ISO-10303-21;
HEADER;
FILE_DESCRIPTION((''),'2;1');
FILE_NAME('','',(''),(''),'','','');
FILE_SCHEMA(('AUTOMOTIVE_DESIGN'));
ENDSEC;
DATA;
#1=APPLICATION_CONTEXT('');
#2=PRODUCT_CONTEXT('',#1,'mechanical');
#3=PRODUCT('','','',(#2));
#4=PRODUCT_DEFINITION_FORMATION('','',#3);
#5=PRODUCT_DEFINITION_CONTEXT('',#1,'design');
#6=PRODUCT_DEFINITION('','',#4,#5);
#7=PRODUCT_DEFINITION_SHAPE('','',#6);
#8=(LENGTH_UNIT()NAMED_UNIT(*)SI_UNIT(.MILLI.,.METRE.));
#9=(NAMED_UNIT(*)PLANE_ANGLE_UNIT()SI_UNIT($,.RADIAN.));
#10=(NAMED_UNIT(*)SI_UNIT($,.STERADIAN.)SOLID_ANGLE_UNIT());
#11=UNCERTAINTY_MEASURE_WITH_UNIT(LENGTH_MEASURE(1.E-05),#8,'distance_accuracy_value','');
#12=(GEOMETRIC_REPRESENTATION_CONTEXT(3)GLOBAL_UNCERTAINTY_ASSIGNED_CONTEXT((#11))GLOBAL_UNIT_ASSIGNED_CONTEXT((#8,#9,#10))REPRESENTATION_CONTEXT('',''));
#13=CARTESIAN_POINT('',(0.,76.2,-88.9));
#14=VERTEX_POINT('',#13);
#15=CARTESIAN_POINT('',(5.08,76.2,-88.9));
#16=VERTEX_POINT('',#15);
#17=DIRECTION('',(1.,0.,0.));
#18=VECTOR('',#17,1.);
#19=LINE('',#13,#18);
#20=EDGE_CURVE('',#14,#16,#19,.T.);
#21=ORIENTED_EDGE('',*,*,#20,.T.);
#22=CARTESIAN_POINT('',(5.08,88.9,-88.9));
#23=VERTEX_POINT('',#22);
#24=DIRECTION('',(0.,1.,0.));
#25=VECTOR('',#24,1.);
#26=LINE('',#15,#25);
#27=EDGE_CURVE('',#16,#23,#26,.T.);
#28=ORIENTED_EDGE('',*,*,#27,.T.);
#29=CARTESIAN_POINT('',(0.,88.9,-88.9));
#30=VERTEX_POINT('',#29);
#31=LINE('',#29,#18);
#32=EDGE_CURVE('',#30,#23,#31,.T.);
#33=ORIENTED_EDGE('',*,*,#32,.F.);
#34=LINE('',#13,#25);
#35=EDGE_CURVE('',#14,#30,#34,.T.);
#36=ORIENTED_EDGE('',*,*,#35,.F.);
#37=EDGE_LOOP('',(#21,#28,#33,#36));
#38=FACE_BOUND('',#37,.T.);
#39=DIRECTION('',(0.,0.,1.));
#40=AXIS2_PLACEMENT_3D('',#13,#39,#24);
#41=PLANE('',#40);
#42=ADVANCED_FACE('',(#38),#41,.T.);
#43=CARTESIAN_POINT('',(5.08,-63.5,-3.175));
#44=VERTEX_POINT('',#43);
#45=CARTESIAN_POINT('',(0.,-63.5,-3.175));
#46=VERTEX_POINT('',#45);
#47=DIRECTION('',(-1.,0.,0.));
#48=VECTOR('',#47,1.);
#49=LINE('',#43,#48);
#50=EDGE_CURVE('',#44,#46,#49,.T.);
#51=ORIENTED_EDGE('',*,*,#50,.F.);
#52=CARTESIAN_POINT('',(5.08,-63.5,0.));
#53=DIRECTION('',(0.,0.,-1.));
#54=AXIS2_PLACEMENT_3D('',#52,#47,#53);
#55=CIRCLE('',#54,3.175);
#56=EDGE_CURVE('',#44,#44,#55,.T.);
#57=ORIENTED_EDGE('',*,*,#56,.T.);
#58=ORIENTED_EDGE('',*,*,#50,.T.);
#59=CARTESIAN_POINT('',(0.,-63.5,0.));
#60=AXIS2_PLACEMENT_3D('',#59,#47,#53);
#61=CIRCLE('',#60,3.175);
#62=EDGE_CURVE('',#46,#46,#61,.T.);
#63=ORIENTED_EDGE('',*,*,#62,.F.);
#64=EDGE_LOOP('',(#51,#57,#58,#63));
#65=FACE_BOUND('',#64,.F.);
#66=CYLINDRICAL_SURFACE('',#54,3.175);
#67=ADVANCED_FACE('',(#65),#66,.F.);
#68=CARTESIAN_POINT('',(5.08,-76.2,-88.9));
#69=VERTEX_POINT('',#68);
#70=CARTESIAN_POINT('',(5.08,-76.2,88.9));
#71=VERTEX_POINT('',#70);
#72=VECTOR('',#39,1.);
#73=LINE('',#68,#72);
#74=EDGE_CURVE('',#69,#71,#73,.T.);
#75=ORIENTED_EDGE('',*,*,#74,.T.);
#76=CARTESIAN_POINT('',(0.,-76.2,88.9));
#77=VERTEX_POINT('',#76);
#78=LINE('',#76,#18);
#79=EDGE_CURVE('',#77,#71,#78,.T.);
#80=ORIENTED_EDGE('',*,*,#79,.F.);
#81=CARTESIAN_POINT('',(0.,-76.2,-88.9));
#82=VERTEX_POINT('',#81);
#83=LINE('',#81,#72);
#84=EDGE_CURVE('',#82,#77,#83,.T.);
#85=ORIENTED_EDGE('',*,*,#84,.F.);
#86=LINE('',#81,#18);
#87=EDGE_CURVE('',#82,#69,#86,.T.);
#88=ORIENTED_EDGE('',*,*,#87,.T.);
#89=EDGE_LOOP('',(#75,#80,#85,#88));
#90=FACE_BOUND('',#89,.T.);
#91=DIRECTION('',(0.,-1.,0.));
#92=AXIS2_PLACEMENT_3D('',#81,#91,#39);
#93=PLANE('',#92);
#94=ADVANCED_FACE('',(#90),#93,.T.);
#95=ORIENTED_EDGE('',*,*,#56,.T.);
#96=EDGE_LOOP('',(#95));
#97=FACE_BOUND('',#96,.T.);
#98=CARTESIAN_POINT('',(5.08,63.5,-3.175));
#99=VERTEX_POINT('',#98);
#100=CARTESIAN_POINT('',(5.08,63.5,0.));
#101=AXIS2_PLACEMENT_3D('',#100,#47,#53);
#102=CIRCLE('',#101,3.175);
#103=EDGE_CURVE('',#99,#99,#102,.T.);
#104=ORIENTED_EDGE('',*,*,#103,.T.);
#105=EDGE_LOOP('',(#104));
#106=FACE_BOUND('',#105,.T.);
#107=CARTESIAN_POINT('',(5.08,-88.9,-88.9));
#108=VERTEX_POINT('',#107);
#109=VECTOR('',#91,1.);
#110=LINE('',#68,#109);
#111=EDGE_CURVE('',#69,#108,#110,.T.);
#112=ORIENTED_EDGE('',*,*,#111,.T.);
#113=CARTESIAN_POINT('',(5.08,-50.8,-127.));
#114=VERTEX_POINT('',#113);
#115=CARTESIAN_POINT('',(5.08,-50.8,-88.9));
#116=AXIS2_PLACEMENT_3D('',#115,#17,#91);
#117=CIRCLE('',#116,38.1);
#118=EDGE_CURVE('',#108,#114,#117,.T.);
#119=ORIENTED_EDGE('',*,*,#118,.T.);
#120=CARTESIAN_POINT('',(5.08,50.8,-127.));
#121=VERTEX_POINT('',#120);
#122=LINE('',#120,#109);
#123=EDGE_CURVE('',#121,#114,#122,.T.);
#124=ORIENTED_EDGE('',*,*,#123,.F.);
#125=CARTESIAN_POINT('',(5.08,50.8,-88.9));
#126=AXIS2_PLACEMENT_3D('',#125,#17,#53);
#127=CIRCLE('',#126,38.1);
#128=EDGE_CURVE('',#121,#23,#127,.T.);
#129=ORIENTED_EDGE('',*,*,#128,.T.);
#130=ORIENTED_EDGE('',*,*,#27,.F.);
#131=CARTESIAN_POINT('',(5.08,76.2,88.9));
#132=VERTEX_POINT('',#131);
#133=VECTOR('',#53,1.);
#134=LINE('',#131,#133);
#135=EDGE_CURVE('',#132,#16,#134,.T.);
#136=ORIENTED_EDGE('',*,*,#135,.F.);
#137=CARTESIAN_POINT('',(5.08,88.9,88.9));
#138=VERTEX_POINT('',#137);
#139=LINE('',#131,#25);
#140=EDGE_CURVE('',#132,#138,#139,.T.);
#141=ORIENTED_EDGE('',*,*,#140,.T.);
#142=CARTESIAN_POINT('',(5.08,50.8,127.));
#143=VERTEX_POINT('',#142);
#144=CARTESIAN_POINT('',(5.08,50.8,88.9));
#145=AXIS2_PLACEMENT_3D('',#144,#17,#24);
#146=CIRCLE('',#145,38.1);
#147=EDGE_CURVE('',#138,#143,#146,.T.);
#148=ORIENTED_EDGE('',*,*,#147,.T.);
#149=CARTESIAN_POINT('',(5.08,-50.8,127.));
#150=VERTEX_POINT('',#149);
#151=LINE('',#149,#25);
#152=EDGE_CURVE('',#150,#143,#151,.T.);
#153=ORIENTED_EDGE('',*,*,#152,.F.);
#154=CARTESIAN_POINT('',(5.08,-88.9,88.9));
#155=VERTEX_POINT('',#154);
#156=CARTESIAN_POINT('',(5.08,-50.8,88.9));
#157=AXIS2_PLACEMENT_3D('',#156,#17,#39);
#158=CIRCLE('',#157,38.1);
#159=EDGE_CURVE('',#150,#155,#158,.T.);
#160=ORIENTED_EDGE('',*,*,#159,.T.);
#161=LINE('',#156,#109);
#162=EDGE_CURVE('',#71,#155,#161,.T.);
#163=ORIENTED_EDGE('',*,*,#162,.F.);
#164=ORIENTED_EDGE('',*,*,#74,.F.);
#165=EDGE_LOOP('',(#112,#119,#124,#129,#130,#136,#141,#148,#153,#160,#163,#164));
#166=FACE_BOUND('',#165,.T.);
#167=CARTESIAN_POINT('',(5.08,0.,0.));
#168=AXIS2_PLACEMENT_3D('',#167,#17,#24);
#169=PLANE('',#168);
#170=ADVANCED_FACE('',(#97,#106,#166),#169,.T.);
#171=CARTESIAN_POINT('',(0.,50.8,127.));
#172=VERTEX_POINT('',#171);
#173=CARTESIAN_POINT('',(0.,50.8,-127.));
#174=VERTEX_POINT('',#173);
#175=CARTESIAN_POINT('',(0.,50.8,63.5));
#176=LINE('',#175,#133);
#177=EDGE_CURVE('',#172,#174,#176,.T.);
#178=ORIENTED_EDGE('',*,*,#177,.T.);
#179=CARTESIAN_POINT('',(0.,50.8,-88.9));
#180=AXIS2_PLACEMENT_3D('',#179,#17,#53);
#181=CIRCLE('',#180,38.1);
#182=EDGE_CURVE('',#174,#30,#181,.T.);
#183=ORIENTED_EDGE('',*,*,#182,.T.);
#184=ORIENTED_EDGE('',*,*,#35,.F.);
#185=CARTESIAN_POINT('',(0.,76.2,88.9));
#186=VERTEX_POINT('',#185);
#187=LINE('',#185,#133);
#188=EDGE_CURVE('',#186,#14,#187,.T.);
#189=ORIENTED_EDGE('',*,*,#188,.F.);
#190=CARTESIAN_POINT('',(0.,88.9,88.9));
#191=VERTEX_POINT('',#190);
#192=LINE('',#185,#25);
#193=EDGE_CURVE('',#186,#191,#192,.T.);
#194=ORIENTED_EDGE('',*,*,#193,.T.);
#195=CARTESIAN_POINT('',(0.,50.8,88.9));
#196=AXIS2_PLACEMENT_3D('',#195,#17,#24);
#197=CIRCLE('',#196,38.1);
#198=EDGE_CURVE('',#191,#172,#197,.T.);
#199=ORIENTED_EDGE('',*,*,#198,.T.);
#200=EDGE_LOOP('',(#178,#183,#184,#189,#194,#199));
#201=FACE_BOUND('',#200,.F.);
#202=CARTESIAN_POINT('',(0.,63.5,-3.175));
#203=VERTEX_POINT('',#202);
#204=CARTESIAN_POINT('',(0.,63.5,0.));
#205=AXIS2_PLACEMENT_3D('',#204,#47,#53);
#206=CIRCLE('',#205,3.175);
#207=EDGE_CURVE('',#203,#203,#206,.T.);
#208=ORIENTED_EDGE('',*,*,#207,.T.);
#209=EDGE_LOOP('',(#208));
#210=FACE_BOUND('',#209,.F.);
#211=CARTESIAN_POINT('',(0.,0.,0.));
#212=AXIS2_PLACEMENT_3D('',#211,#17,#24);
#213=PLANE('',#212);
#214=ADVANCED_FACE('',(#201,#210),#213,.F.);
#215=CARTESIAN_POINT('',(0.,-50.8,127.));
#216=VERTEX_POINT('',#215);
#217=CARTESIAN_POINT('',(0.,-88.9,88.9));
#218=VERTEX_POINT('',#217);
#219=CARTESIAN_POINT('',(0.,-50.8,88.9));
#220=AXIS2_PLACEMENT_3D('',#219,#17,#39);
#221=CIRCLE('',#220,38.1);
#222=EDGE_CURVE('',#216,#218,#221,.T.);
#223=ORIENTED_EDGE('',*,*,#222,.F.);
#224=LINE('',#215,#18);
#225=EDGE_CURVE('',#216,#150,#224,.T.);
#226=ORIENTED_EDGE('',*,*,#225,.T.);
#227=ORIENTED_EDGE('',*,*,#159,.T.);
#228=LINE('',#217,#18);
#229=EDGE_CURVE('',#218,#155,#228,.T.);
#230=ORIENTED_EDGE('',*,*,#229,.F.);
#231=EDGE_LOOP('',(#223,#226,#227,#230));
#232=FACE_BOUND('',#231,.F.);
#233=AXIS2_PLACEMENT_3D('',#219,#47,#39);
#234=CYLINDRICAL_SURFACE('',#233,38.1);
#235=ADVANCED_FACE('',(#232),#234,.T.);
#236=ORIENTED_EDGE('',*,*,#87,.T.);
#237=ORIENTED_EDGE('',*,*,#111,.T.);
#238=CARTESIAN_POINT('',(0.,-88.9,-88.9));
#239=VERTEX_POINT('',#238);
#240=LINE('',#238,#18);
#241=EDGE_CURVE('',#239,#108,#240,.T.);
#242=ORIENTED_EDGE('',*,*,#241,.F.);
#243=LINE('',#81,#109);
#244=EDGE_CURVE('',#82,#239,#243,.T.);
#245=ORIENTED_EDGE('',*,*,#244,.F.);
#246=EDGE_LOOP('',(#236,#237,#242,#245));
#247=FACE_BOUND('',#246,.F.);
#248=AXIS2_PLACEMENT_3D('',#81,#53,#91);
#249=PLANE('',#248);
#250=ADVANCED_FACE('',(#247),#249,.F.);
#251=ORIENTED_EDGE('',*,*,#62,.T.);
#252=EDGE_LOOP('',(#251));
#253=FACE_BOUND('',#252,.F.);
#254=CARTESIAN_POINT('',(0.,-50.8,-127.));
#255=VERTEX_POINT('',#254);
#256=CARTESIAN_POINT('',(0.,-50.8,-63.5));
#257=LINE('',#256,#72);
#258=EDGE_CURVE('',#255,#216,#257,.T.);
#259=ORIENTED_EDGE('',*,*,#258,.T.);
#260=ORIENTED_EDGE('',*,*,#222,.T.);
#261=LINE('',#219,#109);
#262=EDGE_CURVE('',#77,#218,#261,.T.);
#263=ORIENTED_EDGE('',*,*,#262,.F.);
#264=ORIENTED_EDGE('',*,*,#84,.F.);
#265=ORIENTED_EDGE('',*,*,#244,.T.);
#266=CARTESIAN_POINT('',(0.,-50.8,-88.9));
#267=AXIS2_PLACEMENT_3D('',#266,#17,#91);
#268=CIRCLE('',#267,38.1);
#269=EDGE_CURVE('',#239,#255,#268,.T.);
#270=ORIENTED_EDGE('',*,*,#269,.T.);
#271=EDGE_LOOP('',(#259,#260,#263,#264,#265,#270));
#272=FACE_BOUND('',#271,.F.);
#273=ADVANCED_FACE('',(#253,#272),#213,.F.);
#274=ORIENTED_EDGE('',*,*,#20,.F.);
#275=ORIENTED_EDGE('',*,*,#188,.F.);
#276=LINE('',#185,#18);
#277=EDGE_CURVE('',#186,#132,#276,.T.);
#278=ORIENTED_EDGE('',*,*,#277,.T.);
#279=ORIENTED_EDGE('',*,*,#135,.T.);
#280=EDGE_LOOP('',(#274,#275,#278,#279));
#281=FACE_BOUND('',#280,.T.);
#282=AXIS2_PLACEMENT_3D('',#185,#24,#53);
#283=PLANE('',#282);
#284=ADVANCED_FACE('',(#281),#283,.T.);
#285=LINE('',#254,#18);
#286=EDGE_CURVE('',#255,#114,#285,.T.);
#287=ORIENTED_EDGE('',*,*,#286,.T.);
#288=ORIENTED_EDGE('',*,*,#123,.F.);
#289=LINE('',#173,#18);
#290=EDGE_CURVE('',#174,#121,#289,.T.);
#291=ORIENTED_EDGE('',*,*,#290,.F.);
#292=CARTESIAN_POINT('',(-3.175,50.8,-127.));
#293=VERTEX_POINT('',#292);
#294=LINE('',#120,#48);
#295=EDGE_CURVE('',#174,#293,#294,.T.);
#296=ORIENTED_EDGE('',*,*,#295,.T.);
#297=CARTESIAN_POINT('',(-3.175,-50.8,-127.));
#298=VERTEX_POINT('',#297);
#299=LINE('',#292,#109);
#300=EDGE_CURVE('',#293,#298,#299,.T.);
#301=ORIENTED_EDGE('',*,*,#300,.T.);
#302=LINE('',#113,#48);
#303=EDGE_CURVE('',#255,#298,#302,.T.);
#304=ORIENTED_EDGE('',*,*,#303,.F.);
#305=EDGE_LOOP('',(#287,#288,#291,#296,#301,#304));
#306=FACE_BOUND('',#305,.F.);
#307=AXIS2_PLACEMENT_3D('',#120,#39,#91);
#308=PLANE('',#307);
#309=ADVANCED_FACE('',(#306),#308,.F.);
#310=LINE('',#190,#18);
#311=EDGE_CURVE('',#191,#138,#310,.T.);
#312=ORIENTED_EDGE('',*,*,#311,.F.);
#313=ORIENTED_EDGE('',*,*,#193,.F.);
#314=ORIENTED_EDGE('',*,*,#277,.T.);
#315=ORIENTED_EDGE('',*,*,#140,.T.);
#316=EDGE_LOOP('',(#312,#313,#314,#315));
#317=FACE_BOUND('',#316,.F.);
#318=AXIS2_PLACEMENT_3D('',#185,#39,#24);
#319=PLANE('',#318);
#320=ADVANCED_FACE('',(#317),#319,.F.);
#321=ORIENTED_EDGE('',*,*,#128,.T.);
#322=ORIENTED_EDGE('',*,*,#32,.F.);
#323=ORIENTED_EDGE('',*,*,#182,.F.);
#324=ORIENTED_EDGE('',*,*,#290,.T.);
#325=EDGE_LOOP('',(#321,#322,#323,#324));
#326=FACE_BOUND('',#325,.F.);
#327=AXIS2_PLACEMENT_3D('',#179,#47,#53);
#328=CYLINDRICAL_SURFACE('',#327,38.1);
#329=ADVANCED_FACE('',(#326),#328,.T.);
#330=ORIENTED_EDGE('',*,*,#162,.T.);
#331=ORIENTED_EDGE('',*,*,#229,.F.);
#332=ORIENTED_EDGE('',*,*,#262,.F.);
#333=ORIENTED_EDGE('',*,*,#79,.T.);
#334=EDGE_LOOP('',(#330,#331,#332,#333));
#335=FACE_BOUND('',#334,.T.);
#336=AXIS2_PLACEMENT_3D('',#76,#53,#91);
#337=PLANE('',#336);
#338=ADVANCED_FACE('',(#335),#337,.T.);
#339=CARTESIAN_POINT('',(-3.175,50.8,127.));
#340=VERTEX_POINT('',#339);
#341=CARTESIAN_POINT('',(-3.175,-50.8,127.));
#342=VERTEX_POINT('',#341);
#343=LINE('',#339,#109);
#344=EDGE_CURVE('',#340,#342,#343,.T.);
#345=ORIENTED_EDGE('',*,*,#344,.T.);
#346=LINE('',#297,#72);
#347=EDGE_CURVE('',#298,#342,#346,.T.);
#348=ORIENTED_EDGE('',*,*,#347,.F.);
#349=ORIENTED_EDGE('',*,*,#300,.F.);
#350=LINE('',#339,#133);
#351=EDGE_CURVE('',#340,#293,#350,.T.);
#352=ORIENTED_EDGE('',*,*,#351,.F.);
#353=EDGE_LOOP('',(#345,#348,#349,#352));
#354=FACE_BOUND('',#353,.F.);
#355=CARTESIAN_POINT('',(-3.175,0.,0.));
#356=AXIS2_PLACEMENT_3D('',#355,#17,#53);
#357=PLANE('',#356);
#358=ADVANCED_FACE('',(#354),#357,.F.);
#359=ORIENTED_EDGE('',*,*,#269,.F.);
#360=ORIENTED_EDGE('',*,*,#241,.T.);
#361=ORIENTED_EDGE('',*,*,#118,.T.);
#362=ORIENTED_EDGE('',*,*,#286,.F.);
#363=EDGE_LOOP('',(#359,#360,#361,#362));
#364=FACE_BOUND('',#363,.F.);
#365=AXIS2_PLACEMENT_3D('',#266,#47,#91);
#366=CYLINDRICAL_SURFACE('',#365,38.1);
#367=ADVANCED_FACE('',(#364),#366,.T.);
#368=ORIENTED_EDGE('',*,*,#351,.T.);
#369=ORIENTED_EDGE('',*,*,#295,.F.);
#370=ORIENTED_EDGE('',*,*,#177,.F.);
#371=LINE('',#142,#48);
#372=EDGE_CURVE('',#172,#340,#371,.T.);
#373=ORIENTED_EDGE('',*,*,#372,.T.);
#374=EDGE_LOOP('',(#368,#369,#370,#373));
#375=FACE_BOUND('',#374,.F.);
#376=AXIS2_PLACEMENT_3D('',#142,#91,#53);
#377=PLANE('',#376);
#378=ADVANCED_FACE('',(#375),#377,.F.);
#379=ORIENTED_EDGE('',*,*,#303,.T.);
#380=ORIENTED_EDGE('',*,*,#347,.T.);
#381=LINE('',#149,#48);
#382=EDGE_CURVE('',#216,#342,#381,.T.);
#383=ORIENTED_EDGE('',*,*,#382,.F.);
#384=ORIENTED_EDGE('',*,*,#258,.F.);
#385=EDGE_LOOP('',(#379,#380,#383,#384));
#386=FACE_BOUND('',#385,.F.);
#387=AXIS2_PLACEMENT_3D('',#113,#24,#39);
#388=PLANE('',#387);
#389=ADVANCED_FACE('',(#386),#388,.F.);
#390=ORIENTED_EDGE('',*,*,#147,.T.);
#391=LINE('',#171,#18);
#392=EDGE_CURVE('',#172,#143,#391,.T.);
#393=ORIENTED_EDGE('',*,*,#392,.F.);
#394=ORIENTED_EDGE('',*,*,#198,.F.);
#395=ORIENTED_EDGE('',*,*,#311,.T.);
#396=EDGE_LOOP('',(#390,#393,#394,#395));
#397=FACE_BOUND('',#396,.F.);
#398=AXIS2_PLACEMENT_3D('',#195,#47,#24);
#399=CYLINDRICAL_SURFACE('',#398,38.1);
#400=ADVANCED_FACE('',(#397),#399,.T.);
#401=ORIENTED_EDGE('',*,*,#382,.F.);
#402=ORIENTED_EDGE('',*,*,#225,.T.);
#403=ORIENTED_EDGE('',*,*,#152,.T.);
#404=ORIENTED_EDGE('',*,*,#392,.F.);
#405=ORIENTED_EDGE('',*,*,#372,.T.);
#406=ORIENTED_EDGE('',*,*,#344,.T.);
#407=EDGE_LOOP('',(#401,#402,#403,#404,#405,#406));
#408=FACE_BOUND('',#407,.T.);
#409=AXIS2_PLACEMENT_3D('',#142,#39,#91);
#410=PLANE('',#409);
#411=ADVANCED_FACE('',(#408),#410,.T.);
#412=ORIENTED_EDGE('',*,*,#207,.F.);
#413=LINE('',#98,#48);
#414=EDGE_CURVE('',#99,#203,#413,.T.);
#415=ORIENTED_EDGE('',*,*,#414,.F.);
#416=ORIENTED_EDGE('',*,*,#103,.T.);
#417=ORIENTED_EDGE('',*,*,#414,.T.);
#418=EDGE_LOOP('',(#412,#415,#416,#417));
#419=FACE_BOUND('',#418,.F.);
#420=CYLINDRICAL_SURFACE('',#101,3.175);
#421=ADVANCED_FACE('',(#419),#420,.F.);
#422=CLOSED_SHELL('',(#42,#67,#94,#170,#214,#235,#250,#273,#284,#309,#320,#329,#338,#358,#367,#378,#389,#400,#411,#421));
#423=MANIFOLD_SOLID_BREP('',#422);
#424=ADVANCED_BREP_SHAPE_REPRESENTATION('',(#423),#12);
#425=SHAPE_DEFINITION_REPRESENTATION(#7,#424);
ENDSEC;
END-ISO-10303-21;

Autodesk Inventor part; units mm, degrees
ref_plane "YZ Plane" through (0, 0, 0) normal (1, 0, 0) x (0, 1, 0)
ref_plane "XZ Plane" through (0, 0, 0) normal (0, 1, 0) x (-1, 0, 0)
ref_plane "XY Plane" through (0, 0, 0) normal (0, 0, 1) x (1, 0, 0)
sketch "Sketch1" plane through (0, 0, 0) normal (1, 0, 0) x (0, 1, 0)
  line L0 (-76.2, 88.9) -> (-76.2, 88.9)
  line L1 (-50.8, 127) -> (50.8, 127)
  line L2 (50.8, -127) -> (-50.8, -127)
  line L3 (-76.2, -88.9) -> (-76.2, 88.9)
  arc A0 (88.9, 88.9) -> (50.8, 127) centre (50.8, 88.9) ccw
  line L4 (76.2, 88.9) -> (88.9, 88.9)
  arc A1 (-50.8, 127) -> (-88.9, 88.9) centre (-50.8, 88.9) ccw
  line L5 (-50.8, 88.9) -> (-88.9, 88.9)
  arc A2 (50.8, -127) -> (88.9, -88.9) centre (50.8, -88.9) ccw
  line L6 (76.2, -88.9) -> (88.9, -88.9)
  line L7 (76.2, 88.9) -> (76.2, -88.9)
  arc A3 (-88.9, -88.9) -> (-50.8, -127) centre (-50.8, -88.9) ccw
  line L8 (-76.2, -88.9) -> (-88.9, -88.9)
  point P0 (0, 0)
  point P1 (-76.2, 117.2981)
  point P2 (-76.2, -117.2981)
  dimension "d62" = 254
  dimension "d64" = 76.2
  dimension "d65" = 127
  dimension "d66" = 76.2
  dimension "d72" = 76.2
  dimension "d73" = 25.4
  dimension "d74" = 76.2
  dimension "d76" = 25.4
  dimension "d77" = 76.2
  dimension "d78" = 25.4
extrude "Extrusion1" add sketch "Sketch1" along normal blind 5.08
sketch "Sketch3" plane through (5.08, 0, 0) normal (1, 0, 0) x (0, 0, -1)
  line L0 (88.9, 76.2) -> (-88.9, 76.2) projected
  line L1 (127, -50.8) -> (127, 50.8) projected
  line L2 (-88.9, -76.2) -> (88.9, -76.2) projected
  point P0 (0, 0)
  point P1 (0, -63.5)
  point P2 (0, 63.5)
  point P3 (0, 63.5)
  point P4 (127, 76.2)
  point P5 (127, -76.2)
  point P6 (-127, -76.2)
  dimension "d68" = 12.7
  dimension "d69" = 127
  dimension "d70" = 127
  dimension "d71" = 12.7
hole "Hole2" at (5.08, -63.5, 0) direction (-1, 0, 0) diameter 6.35 end through all
hole "Hole3" at (5.08, 63.5, 0) direction (-1, 0, 0) diameter 6.35 end through all
sketch "Sketch4" plane through (5.08, 0, 0) normal (1, 0, 0) x (0, 0, -1)
  line L0 (-127, 50.8) -> (-127, -50.8) projected
  line L1 (-127, 50.8) -> (127, 50.8)
  line L2 (127, 50.8) -> (127, -50.8)
  line L3 (127, -50.8) -> (-127, -50.8)
  line L4 (-127, -50.8) -> (-127, 50.8)
  point P0 (0, 0)
  point P1 (-88.9, 88.9)
  dimension "d79" = 101.6
  dimension "d80" = 38.1
extrude "Extrusion2" add sketch "Sketch4" against normal blind 8.255
properties part number "Frame 2.0" material "ABS Plastic"
